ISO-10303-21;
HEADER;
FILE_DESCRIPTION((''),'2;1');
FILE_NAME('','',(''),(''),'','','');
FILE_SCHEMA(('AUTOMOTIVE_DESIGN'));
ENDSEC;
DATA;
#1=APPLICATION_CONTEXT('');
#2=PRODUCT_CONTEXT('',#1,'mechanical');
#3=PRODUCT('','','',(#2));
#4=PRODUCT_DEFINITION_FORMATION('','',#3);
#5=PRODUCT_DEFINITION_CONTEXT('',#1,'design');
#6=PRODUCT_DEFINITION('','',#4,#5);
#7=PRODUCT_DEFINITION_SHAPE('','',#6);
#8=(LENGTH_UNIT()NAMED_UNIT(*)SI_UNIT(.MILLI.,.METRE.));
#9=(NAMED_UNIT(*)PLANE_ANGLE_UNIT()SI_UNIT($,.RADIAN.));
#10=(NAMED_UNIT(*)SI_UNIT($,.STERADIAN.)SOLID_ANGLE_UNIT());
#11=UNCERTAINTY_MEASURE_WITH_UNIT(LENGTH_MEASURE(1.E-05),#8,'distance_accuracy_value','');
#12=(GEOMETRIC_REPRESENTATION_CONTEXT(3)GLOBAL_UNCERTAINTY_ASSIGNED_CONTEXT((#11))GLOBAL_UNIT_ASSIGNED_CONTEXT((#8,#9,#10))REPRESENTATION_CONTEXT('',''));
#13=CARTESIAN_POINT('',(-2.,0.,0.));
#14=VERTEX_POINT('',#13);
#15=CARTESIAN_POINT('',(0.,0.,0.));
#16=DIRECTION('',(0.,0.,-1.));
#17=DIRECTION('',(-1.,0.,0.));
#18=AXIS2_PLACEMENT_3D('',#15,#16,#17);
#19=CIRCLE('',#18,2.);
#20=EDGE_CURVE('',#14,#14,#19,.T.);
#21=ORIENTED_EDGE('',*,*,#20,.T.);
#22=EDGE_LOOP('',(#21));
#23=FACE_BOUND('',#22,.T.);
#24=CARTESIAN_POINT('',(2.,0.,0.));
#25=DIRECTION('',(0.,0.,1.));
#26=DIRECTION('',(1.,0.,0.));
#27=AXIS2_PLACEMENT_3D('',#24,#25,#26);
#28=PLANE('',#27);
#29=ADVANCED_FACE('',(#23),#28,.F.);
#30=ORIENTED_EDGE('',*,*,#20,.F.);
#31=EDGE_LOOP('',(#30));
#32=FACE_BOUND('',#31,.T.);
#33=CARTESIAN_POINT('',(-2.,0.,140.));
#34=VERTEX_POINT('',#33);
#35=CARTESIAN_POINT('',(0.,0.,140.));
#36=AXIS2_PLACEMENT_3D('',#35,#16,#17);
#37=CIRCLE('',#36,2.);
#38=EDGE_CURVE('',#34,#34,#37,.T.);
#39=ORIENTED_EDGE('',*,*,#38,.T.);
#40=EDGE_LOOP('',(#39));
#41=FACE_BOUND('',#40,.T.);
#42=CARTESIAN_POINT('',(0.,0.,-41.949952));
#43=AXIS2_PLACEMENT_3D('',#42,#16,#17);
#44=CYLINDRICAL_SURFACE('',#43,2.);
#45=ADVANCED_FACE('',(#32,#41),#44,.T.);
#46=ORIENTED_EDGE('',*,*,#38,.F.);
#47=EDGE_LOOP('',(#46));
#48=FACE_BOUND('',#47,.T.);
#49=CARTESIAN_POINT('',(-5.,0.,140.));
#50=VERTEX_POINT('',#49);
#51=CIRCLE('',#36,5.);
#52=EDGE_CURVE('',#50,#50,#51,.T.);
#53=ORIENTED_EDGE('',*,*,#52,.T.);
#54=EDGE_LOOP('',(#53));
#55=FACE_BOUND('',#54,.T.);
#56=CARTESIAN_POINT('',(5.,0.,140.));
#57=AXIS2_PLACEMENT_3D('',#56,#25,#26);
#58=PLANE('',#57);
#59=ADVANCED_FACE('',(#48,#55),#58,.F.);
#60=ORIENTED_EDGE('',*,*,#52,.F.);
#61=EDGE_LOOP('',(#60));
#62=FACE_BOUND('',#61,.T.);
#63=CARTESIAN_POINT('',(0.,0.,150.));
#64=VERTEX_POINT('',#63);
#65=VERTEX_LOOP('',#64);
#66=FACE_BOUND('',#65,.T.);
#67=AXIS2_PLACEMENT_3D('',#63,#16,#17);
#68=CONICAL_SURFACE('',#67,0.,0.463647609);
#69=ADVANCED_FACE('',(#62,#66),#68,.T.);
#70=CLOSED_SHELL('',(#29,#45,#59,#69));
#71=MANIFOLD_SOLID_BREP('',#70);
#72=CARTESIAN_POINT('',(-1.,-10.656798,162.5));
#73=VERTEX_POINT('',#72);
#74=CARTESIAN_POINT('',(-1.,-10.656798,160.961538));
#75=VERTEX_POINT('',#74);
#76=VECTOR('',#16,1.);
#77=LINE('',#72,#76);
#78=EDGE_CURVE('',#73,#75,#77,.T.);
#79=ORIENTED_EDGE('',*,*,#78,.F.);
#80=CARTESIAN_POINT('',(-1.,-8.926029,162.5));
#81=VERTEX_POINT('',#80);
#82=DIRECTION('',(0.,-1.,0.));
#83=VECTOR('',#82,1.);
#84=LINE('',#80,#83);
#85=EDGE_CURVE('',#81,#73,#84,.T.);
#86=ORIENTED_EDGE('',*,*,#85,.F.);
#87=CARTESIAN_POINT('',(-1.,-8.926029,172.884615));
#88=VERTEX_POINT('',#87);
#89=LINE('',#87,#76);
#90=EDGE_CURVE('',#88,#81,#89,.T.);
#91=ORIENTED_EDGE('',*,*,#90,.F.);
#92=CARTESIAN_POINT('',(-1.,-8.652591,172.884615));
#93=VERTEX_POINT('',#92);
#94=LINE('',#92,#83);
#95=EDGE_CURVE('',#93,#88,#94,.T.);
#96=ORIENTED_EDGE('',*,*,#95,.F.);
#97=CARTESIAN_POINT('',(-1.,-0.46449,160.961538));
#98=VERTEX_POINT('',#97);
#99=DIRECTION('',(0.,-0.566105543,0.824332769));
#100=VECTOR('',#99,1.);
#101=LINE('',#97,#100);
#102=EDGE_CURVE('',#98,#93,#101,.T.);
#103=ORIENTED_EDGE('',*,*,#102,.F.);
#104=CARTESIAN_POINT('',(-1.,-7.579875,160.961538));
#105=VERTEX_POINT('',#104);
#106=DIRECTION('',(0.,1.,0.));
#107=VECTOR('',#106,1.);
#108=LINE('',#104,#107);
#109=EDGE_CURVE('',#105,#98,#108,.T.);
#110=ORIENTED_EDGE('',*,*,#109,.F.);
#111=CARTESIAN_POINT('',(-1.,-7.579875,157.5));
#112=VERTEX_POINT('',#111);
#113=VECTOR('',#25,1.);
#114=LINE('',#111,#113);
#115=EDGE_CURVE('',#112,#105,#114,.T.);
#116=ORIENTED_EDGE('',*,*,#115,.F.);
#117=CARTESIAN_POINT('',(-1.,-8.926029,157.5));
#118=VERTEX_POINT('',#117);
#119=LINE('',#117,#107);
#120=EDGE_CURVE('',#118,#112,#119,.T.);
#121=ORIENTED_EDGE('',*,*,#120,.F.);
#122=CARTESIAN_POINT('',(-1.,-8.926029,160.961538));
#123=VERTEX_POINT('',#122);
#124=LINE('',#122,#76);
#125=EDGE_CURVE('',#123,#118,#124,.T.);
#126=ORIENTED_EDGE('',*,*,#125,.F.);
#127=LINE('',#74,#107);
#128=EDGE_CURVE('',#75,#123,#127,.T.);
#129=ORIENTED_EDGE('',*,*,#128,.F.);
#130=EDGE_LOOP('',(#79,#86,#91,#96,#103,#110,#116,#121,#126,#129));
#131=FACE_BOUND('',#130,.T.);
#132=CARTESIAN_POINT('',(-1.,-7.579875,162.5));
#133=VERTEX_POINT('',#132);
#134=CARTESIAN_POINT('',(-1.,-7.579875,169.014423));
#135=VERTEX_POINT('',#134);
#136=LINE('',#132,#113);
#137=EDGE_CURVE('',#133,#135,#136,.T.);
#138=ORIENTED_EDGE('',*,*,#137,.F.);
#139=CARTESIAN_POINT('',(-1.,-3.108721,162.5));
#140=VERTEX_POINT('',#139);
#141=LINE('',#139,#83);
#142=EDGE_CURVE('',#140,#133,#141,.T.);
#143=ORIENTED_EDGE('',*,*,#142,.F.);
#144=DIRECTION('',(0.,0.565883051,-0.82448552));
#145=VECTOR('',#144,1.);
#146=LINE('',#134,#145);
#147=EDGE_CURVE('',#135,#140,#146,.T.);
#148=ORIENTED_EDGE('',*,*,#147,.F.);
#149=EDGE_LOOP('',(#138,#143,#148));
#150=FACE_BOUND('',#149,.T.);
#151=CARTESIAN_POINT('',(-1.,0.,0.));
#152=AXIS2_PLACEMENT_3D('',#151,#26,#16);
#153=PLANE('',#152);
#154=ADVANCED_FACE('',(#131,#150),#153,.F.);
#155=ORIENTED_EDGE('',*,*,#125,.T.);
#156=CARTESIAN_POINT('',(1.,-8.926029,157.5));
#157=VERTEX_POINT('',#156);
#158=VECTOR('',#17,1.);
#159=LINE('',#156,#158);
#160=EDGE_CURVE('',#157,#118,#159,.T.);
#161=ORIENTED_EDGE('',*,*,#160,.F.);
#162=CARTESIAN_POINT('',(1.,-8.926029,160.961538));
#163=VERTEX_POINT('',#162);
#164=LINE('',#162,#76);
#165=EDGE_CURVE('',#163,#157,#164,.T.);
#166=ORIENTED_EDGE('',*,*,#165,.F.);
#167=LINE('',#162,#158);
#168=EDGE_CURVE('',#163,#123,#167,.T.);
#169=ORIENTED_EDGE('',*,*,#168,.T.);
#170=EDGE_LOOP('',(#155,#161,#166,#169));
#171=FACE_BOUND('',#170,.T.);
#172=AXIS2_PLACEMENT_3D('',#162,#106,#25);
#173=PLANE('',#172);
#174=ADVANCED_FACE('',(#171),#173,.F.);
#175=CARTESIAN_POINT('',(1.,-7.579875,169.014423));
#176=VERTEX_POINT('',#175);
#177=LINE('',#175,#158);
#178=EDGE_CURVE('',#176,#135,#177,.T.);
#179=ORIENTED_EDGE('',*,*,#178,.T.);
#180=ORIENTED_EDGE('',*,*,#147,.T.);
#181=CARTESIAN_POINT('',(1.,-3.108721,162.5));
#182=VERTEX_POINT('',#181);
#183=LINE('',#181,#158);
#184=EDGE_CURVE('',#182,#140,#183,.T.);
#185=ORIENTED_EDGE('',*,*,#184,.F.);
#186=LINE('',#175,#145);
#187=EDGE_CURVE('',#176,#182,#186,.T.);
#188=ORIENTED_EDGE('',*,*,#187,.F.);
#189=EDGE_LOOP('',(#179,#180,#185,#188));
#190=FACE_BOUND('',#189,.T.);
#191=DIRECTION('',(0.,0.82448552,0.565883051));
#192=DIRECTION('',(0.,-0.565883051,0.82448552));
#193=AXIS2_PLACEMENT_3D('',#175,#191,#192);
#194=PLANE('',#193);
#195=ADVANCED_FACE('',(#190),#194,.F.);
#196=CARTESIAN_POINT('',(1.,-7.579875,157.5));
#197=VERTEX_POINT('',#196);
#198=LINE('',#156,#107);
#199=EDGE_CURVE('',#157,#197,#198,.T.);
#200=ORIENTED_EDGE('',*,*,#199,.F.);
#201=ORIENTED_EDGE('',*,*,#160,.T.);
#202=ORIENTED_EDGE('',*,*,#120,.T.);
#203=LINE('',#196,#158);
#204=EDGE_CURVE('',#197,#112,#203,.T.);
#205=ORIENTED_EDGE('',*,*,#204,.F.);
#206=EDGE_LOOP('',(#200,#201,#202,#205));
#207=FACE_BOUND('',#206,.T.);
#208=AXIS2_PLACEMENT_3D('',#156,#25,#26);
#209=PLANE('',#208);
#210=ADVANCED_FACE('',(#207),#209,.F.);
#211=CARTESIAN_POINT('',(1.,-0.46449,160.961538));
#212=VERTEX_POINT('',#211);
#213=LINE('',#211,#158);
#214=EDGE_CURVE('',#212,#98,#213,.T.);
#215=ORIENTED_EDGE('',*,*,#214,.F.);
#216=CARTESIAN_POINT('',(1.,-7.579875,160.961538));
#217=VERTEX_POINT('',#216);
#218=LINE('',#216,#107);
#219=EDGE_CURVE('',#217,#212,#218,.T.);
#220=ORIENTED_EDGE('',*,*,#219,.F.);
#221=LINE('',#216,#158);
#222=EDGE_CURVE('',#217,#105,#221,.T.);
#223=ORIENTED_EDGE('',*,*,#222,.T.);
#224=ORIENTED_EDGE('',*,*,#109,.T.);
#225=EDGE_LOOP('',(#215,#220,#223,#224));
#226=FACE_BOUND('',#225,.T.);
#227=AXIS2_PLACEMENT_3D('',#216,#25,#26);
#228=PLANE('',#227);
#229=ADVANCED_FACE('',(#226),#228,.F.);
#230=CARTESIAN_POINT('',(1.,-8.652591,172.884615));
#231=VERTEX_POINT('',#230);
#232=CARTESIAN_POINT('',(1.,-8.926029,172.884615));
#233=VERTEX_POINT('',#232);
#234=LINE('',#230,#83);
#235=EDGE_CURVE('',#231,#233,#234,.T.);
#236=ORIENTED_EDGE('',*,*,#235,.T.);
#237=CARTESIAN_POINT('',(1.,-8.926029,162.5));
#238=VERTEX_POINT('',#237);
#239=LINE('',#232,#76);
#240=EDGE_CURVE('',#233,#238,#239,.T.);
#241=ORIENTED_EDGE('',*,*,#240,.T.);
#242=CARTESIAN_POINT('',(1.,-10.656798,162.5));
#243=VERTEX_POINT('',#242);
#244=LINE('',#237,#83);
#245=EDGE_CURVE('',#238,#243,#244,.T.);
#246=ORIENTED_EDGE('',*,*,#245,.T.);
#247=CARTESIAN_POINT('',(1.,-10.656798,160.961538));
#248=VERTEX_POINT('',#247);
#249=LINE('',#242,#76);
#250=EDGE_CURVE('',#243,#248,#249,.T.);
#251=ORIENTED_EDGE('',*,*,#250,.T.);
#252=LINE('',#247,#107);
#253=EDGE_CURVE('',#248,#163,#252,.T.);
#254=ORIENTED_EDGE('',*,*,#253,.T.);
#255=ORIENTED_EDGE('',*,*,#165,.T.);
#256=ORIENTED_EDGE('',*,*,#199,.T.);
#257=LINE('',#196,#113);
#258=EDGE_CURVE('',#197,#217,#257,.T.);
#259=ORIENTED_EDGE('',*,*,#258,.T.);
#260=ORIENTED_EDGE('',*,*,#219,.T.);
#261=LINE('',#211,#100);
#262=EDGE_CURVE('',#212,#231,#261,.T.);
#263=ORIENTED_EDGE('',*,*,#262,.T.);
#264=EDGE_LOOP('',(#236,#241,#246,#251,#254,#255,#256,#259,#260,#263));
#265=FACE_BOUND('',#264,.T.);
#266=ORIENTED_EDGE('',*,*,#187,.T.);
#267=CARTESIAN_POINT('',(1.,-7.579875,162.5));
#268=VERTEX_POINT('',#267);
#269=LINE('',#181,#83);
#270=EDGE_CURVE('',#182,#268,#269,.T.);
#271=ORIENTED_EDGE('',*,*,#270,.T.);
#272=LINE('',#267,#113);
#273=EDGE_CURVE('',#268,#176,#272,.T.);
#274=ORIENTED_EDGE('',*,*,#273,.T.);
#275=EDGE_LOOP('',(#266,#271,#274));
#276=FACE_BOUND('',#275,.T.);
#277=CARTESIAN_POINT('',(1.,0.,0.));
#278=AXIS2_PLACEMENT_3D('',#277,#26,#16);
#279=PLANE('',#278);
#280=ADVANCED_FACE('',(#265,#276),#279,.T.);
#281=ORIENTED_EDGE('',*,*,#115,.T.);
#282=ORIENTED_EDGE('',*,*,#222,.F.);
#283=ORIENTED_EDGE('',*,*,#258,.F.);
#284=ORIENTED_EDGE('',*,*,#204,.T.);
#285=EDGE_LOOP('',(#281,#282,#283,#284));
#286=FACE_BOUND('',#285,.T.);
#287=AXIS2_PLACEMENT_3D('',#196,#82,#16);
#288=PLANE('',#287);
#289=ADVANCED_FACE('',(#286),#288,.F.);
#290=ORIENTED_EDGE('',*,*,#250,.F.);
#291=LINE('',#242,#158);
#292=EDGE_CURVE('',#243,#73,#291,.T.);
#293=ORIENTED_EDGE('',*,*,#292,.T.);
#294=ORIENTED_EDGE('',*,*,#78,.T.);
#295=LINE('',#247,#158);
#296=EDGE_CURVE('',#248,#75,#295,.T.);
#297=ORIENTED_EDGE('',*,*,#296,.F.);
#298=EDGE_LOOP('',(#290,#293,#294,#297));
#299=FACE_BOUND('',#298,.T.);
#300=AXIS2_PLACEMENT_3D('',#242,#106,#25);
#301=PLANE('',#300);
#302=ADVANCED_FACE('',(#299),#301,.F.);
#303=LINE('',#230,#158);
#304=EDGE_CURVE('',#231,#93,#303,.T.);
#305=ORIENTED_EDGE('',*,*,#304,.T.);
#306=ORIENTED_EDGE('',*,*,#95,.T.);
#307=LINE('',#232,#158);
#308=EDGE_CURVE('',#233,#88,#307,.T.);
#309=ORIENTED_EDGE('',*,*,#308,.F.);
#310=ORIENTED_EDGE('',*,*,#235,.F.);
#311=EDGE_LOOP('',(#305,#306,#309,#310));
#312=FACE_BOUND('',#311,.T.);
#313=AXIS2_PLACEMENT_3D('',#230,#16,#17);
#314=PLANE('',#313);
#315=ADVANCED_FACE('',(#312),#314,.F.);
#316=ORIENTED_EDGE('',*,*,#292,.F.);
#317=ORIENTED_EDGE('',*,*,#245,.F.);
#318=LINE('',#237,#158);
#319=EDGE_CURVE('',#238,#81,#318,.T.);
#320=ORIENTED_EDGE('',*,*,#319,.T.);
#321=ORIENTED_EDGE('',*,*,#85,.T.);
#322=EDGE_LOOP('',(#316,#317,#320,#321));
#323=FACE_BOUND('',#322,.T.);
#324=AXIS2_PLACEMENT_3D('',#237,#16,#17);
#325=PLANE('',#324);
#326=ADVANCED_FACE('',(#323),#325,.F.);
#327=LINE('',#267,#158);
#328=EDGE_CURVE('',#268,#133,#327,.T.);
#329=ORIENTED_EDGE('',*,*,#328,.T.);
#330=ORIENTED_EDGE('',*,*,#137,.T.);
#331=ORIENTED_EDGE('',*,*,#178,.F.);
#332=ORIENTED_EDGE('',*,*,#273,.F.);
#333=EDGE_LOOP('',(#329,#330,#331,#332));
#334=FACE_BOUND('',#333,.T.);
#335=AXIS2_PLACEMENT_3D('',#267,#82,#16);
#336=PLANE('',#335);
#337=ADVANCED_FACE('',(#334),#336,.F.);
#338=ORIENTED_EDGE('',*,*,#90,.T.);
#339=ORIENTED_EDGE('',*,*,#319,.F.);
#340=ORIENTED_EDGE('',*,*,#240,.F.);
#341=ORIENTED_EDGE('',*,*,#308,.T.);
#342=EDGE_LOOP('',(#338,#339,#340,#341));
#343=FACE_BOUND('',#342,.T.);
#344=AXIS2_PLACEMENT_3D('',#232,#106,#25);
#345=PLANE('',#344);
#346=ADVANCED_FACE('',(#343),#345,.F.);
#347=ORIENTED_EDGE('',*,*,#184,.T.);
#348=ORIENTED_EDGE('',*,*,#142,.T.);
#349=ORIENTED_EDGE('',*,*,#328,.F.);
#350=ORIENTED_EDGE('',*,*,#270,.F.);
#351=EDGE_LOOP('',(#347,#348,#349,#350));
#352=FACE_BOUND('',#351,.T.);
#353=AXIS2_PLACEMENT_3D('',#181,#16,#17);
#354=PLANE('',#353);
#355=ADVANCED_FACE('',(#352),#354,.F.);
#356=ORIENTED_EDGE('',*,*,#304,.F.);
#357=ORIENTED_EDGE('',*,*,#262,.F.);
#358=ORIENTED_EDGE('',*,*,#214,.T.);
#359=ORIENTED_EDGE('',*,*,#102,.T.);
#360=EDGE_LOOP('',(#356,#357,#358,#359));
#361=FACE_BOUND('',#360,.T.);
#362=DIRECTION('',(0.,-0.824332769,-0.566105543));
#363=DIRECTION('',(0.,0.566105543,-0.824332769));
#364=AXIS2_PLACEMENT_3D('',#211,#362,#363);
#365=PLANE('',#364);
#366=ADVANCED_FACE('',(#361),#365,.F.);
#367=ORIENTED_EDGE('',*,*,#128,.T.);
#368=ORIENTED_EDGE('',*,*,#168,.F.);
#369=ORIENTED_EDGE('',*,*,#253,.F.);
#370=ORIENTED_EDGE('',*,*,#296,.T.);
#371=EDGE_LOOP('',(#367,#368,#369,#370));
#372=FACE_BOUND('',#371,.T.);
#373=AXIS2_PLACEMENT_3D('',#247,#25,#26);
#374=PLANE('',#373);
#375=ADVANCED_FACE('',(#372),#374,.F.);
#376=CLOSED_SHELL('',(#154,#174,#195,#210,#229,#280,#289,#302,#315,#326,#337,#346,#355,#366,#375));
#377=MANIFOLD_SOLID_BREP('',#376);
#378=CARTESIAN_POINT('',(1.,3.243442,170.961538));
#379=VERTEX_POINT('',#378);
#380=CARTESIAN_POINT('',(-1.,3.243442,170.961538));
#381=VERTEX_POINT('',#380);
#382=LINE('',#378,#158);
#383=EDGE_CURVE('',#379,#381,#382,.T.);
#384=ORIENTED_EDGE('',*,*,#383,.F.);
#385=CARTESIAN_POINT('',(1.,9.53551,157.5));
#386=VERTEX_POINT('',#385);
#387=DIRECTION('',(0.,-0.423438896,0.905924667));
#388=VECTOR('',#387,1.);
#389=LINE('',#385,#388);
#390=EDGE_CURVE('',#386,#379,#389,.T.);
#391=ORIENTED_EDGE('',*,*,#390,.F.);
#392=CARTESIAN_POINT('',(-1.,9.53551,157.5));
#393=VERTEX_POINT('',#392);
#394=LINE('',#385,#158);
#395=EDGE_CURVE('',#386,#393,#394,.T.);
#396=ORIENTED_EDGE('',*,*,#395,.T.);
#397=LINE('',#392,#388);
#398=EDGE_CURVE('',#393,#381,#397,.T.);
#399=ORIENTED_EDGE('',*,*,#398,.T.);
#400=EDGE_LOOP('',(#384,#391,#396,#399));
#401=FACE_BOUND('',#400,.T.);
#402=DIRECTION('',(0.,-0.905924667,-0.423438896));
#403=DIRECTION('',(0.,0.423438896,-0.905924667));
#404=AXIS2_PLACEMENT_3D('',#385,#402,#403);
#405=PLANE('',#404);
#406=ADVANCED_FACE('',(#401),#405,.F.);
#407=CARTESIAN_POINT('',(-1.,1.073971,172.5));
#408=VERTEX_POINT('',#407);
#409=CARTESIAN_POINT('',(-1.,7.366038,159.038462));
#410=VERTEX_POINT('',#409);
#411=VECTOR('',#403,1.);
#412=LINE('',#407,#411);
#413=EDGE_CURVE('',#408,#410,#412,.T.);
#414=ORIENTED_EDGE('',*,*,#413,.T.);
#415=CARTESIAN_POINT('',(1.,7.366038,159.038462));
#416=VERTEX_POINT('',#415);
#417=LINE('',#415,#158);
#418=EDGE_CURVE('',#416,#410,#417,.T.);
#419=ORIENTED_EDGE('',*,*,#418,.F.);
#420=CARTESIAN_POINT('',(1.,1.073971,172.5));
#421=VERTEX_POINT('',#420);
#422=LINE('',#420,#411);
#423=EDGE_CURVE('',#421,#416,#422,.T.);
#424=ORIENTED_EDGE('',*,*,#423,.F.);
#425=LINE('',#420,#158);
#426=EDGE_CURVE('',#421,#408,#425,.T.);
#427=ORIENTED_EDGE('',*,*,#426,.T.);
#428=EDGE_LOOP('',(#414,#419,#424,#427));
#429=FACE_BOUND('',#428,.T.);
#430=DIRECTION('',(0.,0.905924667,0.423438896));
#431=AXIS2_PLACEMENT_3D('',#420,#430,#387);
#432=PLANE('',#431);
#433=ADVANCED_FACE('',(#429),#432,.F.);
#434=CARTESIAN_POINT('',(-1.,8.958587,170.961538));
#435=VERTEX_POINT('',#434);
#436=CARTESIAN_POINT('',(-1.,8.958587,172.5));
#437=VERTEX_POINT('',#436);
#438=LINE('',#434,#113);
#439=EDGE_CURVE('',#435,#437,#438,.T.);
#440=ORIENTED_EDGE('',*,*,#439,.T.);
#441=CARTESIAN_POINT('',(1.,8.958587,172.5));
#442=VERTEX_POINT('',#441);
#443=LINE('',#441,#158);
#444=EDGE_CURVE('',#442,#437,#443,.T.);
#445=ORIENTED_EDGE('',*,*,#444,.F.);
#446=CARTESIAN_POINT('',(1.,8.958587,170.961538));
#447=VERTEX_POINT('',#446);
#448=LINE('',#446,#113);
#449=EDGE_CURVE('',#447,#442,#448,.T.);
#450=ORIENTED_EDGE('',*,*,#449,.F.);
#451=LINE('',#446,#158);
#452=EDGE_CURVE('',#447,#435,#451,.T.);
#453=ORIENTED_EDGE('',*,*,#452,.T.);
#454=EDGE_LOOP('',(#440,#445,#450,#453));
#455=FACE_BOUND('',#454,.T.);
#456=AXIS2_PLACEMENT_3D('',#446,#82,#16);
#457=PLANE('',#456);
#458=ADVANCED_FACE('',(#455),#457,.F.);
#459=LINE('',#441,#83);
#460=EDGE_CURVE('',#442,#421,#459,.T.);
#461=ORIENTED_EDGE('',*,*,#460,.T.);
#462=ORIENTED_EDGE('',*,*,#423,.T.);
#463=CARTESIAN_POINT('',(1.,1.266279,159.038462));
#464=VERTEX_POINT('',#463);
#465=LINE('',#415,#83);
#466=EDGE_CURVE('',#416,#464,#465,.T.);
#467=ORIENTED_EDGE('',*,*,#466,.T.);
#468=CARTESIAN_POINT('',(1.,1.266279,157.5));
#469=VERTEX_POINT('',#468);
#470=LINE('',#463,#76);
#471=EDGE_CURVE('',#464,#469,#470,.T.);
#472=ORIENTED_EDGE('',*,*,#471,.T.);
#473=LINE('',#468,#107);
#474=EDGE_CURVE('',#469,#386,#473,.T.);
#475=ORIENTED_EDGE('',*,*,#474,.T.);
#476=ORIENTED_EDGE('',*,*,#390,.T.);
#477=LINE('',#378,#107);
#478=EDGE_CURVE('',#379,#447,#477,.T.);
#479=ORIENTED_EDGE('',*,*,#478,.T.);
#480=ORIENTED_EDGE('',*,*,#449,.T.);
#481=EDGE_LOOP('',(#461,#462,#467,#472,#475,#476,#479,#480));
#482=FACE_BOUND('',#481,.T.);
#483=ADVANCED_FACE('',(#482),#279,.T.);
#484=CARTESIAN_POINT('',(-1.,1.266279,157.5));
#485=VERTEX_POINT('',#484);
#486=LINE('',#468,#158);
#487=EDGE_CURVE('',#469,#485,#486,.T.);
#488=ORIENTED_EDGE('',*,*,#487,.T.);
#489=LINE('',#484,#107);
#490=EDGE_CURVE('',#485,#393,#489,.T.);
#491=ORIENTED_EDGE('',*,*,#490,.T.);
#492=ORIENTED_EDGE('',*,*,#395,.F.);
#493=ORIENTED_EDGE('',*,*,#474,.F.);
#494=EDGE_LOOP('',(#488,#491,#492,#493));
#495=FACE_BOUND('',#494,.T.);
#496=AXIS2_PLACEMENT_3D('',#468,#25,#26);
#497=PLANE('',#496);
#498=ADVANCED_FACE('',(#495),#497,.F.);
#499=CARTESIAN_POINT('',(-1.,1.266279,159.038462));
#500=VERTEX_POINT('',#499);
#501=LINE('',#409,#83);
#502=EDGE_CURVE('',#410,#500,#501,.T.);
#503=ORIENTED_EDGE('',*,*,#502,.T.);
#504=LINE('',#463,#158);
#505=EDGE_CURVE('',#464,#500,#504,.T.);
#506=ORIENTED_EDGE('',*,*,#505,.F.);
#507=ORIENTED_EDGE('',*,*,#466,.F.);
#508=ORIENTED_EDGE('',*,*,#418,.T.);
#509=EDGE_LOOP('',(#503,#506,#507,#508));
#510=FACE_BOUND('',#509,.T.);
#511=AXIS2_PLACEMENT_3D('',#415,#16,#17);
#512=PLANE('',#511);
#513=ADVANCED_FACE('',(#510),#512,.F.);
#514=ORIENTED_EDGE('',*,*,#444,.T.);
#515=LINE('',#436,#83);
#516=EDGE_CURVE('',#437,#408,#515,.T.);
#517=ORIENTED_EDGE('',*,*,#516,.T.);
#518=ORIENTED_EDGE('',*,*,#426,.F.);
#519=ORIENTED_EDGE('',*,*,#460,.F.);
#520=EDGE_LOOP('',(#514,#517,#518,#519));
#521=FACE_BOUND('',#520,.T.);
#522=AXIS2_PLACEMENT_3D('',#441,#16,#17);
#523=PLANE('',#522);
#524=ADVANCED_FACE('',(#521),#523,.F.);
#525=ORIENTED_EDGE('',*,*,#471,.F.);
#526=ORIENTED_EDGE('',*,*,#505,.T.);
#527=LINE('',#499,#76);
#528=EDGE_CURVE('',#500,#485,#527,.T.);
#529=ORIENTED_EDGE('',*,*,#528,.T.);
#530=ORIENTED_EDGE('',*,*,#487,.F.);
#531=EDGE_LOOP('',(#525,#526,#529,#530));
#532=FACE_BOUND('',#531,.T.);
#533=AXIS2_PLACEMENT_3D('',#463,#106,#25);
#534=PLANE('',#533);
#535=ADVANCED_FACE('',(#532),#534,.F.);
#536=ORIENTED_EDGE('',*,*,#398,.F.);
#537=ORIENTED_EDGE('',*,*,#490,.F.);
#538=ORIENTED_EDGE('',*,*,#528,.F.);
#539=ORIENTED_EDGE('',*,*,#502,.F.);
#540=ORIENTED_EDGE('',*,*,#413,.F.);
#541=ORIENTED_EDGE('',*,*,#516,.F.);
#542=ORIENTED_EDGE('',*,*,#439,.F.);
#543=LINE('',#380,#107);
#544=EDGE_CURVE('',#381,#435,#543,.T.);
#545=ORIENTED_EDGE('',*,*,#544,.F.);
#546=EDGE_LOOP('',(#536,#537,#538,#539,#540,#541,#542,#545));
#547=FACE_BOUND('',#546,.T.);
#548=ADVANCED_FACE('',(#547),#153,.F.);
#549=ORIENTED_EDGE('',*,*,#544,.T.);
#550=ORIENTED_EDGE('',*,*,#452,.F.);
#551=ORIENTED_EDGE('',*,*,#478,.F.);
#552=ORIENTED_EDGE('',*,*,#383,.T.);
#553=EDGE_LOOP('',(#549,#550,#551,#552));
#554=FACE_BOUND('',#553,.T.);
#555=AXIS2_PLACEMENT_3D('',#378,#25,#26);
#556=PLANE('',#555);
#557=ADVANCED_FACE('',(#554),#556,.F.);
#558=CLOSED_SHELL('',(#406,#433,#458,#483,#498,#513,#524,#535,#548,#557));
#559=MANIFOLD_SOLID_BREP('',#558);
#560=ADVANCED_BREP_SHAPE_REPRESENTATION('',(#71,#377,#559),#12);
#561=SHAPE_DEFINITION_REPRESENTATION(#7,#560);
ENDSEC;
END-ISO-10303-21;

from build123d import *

# Parameters (mm, degrees)
BOSS_EXTRUDE1_DEPTH        = 1
BOSS_EXTRUDE1_DEPTH_BACK   = 1
BOSS_EXTRUDE1_2_DEPTH      = 1
BOSS_EXTRUDE1_2_DEPTH_BACK = 1


with BuildPart() as part:
    # Sketch2 → Revolve1 (revolve)
    with BuildSketch(Plane(origin=(0, 0, 0), x_dir=(1, 0, 0), z_dir=(0, 1, 0))):
        Polygon((0, -150), (5, -140), (2, -140), (2, 0), (0, 0), align=None)
    revolve(axis=Axis((0, 0, -41.949952025), (0, 0, 1)))


with BuildPart() as body_2:
    # Sketch3 → Boss-Extrude1 (new, two sides: drawn at the far end of the back side and taken through both)
    with BuildSketch(Plane(origin=(0, 0, 0), x_dir=(0, -1, 0), z_dir=(1, 0, 0)).offset(-BOSS_EXTRUDE1_DEPTH_BACK)):
        Polygon((-8.958586521, -170.961538462), (-8.958586521, -172.5), (-1.073971137, -172.5), (-7.366038444, -159.038461538), (-1.266278829, -159.038461538), (-1.266278829, -157.5), (-9.535509598, -157.5), (-3.243442291, -170.961538462), align=None)
    extrude(amount=BOSS_EXTRUDE1_DEPTH + BOSS_EXTRUDE1_DEPTH_BACK)


with BuildPart() as body_3:
    # Sketch3 → Boss-Extrude1 2 (new, two sides: drawn at the far end of the back side and taken through both)
    with BuildSketch(Plane(origin=(0, 0, 0), x_dir=(0, -1, 0), z_dir=(1, 0, 0)).offset(-BOSS_EXTRUDE1_2_DEPTH_BACK)):
        Polygon((8.652591363, -172.884615385), (8.926028863, -172.884615385), (8.926028863, -162.5), (10.656798094, -162.5), (10.656798094, -160.961538462), (8.926028863, -160.961538462), (8.926028863, -157.5), (7.579875017, -157.5), (7.579875017, -160.961538462), (0.464490402, -160.961538462), align=None)
        Polygon((7.579875017, -162.5), (7.579875017, -169.014423077), (3.108721171, -162.5), align=None, mode=Mode.SUBTRACT)
    extrude(amount=BOSS_EXTRUDE1_2_DEPTH + BOSS_EXTRUDE1_2_DEPTH_BACK)


solid = Compound([part.part, body_2.part, body_3.part])
